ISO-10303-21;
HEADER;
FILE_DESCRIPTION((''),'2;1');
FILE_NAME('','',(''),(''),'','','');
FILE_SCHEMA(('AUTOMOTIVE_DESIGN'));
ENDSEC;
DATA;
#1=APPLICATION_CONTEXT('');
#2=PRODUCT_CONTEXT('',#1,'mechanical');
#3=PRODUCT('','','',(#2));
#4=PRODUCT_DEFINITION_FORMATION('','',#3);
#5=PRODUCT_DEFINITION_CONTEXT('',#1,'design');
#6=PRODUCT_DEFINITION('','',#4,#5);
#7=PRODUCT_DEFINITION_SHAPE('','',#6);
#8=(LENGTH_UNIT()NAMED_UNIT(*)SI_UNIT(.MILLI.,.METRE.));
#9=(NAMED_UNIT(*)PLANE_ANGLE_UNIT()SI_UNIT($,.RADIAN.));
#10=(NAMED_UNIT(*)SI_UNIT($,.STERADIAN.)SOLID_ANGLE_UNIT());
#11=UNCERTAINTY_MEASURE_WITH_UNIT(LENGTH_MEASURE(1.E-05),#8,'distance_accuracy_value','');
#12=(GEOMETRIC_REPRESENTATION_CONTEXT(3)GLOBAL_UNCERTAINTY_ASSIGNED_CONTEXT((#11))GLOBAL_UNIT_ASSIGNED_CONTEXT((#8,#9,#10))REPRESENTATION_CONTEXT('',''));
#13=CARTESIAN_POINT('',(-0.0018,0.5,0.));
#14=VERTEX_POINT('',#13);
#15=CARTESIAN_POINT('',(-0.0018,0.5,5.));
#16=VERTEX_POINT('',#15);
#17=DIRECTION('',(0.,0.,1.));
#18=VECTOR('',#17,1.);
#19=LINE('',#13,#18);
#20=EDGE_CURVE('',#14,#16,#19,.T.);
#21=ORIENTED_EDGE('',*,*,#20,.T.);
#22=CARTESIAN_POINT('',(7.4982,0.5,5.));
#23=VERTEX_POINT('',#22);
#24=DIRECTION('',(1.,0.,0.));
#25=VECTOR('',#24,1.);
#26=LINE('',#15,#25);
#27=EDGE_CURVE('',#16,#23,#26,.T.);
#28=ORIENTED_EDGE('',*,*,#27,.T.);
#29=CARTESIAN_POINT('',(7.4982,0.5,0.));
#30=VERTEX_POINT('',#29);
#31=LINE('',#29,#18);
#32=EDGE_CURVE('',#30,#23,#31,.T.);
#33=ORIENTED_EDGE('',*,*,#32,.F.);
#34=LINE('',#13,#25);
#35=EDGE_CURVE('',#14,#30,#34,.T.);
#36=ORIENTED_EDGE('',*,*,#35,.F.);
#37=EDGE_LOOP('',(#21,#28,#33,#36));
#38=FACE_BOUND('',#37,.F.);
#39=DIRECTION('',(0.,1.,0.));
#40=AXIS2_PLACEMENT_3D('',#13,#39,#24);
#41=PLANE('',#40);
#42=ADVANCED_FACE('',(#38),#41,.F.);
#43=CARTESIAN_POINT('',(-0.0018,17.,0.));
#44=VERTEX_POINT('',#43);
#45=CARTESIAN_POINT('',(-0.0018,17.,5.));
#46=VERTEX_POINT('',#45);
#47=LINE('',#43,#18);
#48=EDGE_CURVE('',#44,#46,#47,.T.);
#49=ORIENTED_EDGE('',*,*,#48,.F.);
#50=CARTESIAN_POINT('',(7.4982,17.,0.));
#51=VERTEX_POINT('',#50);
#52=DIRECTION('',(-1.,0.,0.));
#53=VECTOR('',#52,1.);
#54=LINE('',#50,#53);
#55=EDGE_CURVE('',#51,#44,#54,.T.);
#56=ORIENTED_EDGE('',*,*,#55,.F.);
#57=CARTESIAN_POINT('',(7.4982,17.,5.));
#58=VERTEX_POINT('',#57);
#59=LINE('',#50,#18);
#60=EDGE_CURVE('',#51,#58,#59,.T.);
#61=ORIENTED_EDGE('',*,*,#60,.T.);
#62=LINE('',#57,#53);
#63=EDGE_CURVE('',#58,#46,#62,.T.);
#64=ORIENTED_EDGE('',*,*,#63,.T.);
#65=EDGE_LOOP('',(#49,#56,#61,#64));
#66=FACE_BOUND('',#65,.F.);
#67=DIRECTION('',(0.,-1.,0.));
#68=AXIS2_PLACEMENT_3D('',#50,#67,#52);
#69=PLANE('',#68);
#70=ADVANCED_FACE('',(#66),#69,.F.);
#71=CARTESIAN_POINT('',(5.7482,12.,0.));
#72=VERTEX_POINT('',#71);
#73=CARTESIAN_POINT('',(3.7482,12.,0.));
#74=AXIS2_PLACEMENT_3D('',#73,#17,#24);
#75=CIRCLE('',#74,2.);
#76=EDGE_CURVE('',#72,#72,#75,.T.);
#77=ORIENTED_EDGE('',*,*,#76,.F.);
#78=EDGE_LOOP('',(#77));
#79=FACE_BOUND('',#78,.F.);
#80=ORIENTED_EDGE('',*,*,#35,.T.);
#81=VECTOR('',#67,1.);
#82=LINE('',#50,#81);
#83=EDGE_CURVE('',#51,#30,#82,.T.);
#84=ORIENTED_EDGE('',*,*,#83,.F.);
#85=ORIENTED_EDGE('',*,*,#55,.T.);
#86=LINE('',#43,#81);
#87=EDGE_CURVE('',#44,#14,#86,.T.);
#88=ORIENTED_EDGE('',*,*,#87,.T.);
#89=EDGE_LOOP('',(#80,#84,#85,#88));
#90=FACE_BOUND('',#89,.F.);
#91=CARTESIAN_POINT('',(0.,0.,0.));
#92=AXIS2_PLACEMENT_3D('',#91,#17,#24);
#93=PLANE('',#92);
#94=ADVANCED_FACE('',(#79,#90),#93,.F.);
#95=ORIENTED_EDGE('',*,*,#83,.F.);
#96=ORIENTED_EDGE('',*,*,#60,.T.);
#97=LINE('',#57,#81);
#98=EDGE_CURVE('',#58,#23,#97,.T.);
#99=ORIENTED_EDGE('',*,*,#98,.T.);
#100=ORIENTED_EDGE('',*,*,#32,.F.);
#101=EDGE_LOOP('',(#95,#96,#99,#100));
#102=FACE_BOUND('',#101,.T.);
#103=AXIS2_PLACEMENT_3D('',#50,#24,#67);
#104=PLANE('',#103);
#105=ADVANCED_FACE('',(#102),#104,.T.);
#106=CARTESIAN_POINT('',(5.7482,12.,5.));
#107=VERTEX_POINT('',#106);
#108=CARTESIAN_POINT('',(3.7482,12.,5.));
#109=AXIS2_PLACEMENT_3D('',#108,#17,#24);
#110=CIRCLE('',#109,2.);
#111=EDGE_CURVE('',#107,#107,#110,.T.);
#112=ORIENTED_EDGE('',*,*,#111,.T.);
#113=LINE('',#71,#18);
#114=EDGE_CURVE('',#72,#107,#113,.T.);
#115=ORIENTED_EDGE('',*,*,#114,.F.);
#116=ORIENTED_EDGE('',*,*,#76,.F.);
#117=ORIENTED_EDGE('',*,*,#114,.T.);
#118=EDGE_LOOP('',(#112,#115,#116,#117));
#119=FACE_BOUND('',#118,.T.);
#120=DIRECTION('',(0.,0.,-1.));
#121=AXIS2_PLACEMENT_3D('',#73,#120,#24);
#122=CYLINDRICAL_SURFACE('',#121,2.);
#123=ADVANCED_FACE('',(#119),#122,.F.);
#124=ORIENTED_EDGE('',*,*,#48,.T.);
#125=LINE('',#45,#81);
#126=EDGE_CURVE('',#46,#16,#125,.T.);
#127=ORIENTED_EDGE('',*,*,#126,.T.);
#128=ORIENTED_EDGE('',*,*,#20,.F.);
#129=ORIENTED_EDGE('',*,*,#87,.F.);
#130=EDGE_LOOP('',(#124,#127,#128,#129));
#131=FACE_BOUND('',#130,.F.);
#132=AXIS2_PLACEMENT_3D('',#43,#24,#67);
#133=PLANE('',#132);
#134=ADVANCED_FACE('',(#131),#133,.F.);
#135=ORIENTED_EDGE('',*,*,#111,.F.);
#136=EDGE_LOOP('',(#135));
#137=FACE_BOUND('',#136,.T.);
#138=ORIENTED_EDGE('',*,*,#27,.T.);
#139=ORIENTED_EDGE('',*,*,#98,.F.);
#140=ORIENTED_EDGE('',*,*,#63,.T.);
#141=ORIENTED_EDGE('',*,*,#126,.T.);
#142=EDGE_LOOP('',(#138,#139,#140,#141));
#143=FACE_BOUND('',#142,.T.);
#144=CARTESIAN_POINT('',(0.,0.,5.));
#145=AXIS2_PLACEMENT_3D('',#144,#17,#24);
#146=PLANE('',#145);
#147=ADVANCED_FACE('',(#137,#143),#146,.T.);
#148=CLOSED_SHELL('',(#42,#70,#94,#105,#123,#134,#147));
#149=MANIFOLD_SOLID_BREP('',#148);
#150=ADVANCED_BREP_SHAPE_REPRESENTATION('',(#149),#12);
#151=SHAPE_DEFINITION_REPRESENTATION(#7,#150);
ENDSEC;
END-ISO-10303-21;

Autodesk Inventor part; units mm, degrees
ref_plane "YZ Plane" through (0, 0, 0) normal (1, 0, 0) x (0, 1, 0)
ref_plane "XZ Plane" through (0, 0, 0) normal (0, 1, 0) x (-1, 0, 0)
ref_plane "XY Plane" through (0, 0, 0) normal (0, 0, 1) x (1, 0, 0)
sketch "Sketch1" plane through (0, 0, 0) normal (0, 0, 1) x (1, 0, 0)
  line L0 (7.4982, 17) -> (-0.0018, 17)
  line L1 (-0.0018, 17) -> (-0.0018, 0.5)
  line L2 (7.4982, 17) -> (7.4982, 0.5)
  line L3 (-0.0018, 0.5) -> (7.4982, 0.5)
  circle A0 centre (3.7482, 12) radius 2
  dimension "d5" = 16.5
  dimension "d10" = 4
  dimension "d11" = 5
  dimension "d12" = 7.5
extrude "Extrusion1" add sketch "Sketch1" along normal blind 5
properties part number "long back plate spacer" material "ABS Plastic"
